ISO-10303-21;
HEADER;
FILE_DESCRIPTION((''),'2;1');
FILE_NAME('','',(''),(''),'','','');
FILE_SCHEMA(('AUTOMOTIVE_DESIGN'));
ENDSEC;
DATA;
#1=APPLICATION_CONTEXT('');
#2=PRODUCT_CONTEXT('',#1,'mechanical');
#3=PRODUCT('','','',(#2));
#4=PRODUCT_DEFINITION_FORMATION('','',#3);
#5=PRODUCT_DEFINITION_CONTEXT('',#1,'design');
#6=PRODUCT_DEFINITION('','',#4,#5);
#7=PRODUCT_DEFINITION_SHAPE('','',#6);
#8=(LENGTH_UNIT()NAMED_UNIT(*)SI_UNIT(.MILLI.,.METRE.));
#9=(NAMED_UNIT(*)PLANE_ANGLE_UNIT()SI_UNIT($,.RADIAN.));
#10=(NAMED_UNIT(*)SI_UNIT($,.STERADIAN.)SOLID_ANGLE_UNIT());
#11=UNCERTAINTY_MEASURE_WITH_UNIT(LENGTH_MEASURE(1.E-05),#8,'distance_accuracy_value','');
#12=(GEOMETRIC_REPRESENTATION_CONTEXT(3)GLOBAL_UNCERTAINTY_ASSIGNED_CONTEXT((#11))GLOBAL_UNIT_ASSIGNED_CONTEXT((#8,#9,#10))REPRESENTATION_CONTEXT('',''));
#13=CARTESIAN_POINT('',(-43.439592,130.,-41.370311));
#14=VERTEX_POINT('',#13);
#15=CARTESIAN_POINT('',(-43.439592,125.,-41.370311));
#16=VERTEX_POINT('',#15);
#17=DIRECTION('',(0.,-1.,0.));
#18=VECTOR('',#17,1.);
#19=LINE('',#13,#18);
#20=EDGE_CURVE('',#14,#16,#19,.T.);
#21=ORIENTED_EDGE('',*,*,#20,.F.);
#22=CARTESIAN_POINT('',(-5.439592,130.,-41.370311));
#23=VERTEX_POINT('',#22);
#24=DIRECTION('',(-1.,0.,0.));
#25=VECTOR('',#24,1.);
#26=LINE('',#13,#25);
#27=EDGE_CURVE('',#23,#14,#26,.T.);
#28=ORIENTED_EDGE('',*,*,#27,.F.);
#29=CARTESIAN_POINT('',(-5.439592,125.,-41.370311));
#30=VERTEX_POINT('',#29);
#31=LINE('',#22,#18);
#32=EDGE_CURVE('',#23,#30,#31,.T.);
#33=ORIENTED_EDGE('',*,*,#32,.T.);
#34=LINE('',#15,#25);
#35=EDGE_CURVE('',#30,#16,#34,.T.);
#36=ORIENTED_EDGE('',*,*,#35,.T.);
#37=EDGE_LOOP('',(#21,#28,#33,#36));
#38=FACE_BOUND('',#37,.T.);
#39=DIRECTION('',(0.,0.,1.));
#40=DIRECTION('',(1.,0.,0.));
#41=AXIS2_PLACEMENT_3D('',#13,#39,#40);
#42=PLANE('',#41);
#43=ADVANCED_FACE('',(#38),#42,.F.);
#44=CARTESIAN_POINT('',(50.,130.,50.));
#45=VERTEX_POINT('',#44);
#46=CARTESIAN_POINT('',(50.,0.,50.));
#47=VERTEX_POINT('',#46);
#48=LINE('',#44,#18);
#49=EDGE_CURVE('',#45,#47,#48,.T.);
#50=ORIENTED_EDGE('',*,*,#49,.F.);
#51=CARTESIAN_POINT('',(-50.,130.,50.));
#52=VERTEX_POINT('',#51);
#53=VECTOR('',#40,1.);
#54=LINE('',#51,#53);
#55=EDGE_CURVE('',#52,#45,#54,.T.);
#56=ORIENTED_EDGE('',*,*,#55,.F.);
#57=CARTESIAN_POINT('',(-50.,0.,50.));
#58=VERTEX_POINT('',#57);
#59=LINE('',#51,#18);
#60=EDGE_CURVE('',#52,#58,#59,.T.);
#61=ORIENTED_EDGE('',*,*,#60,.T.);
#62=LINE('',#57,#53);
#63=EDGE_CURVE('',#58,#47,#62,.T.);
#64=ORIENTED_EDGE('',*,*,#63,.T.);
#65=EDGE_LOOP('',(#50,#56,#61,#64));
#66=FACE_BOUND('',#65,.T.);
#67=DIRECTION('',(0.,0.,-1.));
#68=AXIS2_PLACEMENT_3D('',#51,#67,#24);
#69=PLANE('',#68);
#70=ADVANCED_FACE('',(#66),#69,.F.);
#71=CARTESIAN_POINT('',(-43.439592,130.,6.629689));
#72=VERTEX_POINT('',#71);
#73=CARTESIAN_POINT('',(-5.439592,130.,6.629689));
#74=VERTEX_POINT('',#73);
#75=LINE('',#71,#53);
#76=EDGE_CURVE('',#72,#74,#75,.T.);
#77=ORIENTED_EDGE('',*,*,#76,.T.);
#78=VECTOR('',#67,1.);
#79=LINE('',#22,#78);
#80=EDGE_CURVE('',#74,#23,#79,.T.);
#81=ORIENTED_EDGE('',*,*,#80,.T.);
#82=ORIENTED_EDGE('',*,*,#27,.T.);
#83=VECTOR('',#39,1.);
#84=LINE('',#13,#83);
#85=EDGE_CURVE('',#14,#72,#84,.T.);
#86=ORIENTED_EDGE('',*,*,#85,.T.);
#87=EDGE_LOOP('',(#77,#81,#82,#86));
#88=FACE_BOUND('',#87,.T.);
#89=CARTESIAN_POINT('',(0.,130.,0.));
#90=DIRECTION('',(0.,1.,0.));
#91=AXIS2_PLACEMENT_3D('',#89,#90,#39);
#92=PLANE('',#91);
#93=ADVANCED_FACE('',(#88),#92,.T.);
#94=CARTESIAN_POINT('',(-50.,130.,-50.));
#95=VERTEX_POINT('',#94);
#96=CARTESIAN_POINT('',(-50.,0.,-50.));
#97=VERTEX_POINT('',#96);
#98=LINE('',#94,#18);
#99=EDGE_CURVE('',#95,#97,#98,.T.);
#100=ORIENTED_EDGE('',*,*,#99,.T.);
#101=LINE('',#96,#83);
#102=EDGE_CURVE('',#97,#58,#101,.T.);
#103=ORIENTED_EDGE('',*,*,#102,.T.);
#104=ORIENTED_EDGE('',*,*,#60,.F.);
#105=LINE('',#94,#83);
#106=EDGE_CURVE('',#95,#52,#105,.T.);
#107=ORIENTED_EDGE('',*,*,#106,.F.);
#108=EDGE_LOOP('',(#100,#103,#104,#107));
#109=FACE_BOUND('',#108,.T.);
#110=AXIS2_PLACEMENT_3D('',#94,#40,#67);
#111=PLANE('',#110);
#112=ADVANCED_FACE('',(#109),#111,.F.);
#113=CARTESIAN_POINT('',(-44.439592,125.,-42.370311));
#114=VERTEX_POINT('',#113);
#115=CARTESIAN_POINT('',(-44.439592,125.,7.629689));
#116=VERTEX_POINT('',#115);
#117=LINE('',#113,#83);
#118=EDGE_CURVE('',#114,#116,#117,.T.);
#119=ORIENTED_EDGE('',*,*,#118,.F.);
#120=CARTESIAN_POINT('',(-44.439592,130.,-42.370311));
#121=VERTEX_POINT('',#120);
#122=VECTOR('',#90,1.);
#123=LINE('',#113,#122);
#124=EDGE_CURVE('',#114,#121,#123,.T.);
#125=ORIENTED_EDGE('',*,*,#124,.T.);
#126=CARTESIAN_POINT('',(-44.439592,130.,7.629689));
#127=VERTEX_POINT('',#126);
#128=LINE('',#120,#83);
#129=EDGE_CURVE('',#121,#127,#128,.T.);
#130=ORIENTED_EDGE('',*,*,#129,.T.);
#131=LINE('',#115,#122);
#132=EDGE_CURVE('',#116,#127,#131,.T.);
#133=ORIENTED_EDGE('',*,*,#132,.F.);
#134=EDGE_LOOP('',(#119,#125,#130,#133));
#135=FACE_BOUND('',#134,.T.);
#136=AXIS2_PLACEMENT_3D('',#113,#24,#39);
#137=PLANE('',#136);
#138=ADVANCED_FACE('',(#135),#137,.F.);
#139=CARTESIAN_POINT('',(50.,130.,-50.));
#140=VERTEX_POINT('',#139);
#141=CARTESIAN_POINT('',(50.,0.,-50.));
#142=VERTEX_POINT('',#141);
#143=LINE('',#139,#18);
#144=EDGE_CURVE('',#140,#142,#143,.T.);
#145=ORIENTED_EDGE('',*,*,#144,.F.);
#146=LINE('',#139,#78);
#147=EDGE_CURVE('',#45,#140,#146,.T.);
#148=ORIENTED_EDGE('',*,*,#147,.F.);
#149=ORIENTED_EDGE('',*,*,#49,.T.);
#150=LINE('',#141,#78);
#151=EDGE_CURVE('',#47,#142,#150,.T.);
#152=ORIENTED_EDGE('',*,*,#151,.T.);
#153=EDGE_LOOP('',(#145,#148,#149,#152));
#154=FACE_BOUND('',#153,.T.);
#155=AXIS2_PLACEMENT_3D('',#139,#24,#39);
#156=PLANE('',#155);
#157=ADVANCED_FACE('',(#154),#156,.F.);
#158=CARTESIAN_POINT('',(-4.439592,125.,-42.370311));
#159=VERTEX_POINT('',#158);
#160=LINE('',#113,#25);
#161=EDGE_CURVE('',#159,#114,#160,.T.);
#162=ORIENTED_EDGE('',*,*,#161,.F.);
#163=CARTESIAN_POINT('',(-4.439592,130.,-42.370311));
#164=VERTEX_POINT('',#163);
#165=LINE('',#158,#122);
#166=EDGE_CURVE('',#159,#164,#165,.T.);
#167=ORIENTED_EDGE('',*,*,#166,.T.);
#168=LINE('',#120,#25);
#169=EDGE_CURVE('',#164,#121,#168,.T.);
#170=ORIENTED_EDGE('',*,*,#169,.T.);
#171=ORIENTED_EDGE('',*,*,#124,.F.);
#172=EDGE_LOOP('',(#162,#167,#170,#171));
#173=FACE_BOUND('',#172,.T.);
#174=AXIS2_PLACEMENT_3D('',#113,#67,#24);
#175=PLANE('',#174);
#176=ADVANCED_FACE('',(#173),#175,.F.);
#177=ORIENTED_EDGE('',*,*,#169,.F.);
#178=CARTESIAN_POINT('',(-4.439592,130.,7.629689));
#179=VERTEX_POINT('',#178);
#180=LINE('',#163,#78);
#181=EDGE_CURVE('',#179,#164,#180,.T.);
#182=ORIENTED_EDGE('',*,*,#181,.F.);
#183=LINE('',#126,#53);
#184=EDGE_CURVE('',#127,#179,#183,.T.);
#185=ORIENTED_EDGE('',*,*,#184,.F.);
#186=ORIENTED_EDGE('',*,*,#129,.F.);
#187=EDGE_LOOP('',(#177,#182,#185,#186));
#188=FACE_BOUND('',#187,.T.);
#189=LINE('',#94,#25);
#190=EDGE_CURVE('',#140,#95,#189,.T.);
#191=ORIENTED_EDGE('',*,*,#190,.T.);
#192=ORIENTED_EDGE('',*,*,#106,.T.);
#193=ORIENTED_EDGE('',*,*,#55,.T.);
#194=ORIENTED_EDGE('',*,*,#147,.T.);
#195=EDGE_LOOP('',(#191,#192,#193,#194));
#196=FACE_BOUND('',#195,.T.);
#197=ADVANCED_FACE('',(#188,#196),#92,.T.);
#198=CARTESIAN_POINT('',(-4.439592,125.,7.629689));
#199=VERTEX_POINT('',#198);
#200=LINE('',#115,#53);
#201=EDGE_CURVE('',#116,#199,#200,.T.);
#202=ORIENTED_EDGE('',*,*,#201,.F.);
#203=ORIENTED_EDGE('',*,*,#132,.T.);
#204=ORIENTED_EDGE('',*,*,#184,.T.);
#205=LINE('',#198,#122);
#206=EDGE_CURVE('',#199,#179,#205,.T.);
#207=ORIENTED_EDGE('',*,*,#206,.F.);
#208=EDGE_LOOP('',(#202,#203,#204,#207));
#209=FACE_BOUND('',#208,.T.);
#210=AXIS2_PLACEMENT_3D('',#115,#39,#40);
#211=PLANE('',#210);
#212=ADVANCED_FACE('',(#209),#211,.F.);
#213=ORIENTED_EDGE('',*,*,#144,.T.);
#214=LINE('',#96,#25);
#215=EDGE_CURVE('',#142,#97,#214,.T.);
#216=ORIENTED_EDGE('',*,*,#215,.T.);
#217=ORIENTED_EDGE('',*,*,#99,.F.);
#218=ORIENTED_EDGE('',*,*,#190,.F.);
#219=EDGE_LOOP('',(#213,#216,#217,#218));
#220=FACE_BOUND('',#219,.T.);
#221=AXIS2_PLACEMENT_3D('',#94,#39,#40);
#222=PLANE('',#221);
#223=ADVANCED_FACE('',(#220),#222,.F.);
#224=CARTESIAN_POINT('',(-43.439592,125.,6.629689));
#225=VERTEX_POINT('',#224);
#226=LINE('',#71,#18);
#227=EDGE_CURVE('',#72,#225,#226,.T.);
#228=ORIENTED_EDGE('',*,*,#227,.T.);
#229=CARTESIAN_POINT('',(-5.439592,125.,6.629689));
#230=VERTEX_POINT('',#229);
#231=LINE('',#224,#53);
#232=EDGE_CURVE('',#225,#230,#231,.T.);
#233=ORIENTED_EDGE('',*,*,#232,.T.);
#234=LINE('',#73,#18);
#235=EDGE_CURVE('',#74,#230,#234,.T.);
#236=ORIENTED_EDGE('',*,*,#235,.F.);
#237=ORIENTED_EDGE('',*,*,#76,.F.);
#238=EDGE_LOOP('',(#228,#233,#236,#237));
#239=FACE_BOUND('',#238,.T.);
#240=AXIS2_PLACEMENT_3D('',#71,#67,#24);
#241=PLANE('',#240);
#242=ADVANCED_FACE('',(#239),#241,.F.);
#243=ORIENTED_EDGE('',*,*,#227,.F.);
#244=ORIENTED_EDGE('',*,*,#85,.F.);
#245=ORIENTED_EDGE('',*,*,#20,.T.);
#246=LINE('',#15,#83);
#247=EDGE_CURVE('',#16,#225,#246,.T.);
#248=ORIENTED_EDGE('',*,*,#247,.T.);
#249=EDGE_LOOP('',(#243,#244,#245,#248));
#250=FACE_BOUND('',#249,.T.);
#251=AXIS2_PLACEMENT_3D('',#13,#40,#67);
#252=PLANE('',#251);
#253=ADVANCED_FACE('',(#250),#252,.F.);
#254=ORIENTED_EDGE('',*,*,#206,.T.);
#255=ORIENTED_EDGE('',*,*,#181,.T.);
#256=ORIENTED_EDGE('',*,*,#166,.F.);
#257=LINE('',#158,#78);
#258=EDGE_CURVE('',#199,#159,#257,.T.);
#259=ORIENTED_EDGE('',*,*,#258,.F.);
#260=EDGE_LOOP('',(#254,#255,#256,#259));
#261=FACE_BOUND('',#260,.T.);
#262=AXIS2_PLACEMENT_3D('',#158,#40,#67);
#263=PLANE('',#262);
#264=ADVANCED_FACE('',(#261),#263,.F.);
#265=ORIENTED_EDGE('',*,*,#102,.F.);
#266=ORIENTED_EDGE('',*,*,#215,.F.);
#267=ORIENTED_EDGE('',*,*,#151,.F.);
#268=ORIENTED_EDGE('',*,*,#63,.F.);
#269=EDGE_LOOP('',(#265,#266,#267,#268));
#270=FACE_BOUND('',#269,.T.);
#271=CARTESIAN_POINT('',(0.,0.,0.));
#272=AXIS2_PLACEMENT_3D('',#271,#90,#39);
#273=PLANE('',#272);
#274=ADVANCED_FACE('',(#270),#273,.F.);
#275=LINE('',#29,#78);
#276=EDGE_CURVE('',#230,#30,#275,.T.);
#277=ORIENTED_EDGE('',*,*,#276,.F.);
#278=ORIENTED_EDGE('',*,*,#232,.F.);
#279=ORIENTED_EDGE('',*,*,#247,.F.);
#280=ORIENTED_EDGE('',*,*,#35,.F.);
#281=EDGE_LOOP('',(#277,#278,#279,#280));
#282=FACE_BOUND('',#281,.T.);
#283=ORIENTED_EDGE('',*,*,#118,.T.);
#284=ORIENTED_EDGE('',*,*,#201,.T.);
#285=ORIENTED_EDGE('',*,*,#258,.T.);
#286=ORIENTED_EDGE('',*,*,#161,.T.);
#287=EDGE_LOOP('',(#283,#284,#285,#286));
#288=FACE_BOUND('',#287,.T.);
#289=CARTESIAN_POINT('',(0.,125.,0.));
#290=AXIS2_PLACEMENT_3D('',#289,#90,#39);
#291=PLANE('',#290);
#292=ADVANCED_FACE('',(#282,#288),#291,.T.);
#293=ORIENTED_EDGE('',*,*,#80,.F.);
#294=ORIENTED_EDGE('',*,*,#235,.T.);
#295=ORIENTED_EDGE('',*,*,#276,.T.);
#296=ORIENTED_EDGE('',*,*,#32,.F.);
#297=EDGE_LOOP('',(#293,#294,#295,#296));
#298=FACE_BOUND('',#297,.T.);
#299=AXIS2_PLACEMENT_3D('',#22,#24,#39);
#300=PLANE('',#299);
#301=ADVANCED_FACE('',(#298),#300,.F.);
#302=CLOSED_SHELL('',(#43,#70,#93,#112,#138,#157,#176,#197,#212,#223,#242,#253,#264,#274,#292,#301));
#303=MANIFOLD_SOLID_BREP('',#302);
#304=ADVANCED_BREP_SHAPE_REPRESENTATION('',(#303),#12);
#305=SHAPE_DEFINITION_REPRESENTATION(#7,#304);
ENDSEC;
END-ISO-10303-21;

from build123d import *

# Parameters (mm, degrees)
SKETCH1_W           = 100
SKETCH1_H           = 100
BOSS_EXTRUDE1_DEPTH = 130
SKETCH2_W           = 40
SKETCH2_H           = 50
CUT_EXTRUDE1_DEPTH  = 5
SKETCH3_W           = 38
SKETCH3_H           = 48
BOSS_EXTRUDE2_DEPTH = 5


with BuildPart() as part:
    # Sketch1 → Boss-Extrude1 (new body)
    with BuildSketch(Plane(origin=(0, 0, 0), x_dir=(1, 0, 0), z_dir=(0, 1, 0))):
        Rectangle(SKETCH1_W, SKETCH1_H)
    extrude(amount=BOSS_EXTRUDE1_DEPTH)

    # Sketch2 → Cut-Extrude1 (cut)
    with BuildSketch(Plane(origin=(0, 130, 0), x_dir=(1, 0, 0), z_dir=(0, 1, 0))):
        with Locations((-24.43959223, 17.370310973)):
            Rectangle(SKETCH2_W, SKETCH2_H)
    extrude(amount=-CUT_EXTRUDE1_DEPTH, mode=Mode.SUBTRACT)

    # Sketch3 → Boss-Extrude2 (add)
    with BuildSketch(Plane(origin=(0, 125, 0), x_dir=(1, 0, 0), z_dir=(0, 1, 0))):
        with Locations((-24.43959223, 17.370310973)):
            Rectangle(SKETCH3_W, SKETCH3_H)
    extrude(amount=BOSS_EXTRUDE2_DEPTH)


solid = part.part
